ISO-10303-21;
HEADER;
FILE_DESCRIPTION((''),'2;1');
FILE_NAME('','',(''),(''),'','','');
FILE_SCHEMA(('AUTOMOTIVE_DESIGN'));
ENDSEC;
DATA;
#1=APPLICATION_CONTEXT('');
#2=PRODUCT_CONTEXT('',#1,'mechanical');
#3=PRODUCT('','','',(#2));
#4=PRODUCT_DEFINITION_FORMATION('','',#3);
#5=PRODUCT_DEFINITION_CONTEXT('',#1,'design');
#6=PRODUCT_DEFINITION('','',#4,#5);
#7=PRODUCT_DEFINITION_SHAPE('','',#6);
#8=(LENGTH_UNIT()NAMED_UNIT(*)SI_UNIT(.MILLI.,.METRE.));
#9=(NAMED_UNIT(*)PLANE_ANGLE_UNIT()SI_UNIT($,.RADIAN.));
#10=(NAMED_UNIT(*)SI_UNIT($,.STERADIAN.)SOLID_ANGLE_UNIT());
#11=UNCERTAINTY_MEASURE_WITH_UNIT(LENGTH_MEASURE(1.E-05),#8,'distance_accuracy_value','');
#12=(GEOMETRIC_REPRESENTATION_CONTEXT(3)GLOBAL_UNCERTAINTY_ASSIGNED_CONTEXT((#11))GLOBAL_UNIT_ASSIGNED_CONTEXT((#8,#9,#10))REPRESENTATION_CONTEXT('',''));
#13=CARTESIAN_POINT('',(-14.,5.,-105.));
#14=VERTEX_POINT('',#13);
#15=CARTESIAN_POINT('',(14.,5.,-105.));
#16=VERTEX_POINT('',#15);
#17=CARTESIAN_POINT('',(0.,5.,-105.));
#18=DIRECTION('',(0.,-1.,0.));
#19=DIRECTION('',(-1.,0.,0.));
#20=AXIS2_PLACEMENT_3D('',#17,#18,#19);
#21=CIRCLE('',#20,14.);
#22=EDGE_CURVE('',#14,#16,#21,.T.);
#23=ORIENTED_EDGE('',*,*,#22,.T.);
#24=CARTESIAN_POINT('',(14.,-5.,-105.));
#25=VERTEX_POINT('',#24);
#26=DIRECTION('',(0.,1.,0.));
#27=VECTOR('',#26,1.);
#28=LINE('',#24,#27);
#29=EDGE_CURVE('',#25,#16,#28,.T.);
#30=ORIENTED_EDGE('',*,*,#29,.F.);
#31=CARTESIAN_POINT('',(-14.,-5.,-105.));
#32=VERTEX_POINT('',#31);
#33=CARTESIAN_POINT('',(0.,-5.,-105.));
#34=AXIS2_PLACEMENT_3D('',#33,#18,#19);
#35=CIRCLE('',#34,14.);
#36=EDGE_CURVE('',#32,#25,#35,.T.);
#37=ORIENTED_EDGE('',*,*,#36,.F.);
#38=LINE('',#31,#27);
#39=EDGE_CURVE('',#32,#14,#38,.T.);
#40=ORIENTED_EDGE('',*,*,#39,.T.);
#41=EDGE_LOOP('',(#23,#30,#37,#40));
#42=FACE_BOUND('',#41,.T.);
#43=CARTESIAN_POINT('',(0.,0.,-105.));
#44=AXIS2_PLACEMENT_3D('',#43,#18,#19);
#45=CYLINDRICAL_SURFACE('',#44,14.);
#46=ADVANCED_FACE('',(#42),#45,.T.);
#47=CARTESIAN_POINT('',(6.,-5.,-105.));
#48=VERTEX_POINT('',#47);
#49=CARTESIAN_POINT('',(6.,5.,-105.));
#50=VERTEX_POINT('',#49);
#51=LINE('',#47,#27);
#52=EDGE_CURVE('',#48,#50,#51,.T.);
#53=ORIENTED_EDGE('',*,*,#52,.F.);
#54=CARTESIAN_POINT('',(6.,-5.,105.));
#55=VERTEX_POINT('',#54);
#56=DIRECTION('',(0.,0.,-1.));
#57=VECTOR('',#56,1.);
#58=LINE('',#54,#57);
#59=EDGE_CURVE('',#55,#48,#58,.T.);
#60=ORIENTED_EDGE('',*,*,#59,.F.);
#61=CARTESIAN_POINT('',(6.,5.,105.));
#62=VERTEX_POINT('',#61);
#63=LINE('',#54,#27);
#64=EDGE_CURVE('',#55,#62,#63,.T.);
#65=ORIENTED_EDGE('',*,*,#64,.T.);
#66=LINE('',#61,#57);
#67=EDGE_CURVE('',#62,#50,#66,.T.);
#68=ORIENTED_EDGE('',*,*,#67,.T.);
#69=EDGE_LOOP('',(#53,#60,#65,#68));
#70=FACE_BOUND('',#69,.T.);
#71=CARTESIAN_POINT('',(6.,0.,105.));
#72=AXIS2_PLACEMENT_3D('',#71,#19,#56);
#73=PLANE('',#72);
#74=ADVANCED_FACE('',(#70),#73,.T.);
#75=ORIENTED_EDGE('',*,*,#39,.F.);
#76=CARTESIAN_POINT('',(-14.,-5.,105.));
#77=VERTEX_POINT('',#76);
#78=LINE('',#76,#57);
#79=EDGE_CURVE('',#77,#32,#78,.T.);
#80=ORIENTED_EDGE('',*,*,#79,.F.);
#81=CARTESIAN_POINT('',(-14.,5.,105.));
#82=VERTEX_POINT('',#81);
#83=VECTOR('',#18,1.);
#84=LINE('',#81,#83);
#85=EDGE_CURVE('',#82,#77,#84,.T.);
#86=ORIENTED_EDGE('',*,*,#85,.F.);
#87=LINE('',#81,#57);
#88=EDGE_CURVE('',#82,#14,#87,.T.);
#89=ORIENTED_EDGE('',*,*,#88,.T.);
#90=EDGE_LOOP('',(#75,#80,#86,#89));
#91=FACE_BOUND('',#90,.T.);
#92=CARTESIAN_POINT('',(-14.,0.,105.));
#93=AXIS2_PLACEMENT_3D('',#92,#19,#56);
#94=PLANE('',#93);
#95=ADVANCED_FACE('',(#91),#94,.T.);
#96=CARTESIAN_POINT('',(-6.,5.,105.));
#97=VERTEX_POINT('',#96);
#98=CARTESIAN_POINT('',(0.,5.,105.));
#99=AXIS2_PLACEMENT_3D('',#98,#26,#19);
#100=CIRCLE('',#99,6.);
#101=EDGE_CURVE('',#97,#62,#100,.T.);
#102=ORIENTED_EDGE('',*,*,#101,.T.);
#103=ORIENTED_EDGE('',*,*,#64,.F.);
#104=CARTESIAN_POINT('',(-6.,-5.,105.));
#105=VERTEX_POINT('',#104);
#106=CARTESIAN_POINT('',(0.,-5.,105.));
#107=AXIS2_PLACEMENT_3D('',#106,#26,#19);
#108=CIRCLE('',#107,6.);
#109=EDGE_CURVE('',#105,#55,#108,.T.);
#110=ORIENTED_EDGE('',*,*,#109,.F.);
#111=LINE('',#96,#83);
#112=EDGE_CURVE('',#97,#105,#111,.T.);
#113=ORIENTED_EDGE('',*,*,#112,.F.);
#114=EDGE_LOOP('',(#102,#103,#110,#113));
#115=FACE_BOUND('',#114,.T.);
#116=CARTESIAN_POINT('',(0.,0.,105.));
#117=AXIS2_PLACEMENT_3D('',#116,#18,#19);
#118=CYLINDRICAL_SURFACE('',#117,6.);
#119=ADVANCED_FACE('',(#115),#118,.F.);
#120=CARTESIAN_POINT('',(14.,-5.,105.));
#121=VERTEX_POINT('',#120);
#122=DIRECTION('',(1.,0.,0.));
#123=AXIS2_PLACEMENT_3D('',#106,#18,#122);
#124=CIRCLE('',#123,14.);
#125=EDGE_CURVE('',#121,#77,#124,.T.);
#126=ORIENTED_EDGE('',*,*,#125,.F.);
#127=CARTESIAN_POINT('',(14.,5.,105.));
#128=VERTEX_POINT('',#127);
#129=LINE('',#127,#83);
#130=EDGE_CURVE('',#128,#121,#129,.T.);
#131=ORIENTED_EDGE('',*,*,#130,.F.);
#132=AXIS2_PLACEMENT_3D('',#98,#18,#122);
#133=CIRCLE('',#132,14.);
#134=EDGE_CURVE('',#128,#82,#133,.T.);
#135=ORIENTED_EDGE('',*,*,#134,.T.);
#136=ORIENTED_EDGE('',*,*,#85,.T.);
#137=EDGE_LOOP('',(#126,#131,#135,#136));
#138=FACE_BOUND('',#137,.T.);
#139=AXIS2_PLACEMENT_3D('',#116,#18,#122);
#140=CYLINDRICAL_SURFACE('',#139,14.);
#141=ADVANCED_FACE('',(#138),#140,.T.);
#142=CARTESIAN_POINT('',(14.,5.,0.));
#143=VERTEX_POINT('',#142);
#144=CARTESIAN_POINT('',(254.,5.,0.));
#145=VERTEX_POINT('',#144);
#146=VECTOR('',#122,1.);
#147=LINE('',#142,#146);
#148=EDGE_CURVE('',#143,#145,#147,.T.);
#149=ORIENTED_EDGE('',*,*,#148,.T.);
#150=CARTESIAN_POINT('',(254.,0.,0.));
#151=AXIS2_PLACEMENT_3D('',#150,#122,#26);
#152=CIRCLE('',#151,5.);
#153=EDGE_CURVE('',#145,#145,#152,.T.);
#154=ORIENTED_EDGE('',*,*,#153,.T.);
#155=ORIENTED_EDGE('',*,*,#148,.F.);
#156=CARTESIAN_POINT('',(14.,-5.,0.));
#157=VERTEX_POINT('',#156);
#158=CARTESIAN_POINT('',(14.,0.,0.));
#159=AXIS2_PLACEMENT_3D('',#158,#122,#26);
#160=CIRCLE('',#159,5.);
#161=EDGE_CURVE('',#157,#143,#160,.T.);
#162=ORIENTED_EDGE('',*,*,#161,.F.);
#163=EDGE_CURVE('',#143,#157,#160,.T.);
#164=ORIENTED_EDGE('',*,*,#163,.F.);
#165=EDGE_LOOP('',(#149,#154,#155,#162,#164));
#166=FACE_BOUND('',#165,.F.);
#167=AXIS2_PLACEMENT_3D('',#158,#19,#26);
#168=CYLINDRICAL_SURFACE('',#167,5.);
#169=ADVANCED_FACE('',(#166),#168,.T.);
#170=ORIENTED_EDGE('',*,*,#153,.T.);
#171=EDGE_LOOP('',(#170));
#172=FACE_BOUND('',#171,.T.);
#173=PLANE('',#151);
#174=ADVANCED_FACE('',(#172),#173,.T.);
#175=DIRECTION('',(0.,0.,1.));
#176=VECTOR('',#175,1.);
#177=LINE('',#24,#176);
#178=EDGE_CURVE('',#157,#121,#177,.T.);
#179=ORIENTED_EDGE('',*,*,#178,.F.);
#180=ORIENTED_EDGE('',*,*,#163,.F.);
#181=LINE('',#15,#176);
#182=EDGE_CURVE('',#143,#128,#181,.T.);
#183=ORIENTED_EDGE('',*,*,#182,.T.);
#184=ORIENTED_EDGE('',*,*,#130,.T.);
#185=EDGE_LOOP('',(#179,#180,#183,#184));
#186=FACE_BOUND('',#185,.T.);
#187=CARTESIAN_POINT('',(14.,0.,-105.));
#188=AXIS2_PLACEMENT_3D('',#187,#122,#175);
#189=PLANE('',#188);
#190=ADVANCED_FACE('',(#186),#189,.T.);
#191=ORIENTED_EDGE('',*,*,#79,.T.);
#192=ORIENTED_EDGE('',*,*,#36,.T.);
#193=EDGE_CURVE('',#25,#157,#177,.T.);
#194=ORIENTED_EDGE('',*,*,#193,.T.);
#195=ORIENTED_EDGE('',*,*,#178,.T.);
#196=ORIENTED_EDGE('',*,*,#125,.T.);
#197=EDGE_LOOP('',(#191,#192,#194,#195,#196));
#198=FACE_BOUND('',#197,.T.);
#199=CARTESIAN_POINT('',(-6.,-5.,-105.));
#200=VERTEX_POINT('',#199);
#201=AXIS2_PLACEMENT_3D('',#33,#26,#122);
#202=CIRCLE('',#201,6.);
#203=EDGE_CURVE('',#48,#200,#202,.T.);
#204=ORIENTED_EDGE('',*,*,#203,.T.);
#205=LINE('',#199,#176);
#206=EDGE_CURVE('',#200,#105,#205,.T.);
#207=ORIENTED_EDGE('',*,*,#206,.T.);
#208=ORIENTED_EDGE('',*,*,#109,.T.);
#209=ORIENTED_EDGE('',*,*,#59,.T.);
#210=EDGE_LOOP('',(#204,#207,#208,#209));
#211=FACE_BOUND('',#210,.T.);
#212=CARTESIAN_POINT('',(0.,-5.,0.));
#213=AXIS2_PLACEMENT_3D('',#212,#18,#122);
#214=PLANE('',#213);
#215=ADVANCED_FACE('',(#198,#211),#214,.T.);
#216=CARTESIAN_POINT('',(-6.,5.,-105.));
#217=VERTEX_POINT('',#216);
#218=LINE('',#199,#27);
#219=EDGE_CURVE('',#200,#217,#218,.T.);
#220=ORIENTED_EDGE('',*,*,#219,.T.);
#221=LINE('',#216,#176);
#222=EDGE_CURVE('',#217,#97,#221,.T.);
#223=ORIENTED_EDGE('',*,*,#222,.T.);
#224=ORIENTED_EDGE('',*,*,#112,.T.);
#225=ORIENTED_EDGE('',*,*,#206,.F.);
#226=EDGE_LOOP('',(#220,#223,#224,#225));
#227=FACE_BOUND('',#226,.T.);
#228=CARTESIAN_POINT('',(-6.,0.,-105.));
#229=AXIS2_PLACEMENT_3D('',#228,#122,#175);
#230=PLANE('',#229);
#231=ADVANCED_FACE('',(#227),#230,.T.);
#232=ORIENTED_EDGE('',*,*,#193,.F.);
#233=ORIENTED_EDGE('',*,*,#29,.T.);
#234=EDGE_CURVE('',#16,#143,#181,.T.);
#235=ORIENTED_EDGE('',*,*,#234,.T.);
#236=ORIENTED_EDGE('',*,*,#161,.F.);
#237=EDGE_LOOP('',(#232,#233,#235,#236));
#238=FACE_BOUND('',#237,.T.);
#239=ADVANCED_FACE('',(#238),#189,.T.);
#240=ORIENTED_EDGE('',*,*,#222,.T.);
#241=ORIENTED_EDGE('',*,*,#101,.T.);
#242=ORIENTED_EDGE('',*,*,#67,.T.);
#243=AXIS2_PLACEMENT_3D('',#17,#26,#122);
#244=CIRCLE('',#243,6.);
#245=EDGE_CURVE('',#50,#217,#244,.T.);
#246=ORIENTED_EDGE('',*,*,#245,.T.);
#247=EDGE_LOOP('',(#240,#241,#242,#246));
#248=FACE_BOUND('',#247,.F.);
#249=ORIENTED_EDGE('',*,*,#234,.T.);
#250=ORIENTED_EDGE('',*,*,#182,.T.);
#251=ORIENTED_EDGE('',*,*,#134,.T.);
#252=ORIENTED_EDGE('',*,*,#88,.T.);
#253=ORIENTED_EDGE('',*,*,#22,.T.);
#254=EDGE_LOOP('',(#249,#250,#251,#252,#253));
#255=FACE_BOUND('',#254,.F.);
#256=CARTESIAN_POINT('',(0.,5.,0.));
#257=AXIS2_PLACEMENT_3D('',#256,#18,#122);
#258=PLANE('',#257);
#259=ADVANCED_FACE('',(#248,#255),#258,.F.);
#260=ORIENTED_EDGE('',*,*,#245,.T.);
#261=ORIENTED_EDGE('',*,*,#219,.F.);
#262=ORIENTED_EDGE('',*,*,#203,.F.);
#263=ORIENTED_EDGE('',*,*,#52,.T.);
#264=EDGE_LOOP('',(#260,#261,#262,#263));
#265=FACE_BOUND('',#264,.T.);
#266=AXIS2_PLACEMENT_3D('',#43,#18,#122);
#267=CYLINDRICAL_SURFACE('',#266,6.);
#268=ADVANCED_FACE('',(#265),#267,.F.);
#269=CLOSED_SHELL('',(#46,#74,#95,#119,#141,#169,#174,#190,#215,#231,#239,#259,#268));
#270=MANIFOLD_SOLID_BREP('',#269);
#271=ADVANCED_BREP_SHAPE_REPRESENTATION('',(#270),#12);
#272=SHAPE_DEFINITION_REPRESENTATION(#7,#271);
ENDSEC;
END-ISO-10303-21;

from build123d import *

# Parameters (mm, degrees)
F1_DEPTH = 5
F3_DEPTH = 240


with BuildPart() as f1:
    # F0 (on Front) → F1 (new body, symmetric)
    with BuildSketch(Plane.XZ):
        with BuildLine():
            Line((14, -105), (14, 105))
            ThreePointArc((14, 105), (0, 119), (-14, 105))
            Line((-14, 105), (-14, -105))
            ThreePointArc((-14, -105), (0, -119), (14, -105))
        make_face()
        with BuildLine():
            ThreePointArc((-6, 105), (0, 111), (6, 105))
            Line((6, 105), (6, -105))
            ThreePointArc((6, -105), (0, -111), (-6, -105))
            Line((-6, -105), (-6, 105))
        make_face(mode=Mode.SUBTRACT)
    extrude(amount=F1_DEPTH, both=True)

    # F2 (on face) → F3 (join)
    with BuildSketch(Plane.YZ.offset(14)):
        with BuildLine():
            ThreePointArc((-5, 0), (0, -5), (5, 0))
            ThreePointArc((5, 0), (0, 5), (-5, 0))
        make_face()
    extrude(amount=F3_DEPTH)


solid = f1.part
